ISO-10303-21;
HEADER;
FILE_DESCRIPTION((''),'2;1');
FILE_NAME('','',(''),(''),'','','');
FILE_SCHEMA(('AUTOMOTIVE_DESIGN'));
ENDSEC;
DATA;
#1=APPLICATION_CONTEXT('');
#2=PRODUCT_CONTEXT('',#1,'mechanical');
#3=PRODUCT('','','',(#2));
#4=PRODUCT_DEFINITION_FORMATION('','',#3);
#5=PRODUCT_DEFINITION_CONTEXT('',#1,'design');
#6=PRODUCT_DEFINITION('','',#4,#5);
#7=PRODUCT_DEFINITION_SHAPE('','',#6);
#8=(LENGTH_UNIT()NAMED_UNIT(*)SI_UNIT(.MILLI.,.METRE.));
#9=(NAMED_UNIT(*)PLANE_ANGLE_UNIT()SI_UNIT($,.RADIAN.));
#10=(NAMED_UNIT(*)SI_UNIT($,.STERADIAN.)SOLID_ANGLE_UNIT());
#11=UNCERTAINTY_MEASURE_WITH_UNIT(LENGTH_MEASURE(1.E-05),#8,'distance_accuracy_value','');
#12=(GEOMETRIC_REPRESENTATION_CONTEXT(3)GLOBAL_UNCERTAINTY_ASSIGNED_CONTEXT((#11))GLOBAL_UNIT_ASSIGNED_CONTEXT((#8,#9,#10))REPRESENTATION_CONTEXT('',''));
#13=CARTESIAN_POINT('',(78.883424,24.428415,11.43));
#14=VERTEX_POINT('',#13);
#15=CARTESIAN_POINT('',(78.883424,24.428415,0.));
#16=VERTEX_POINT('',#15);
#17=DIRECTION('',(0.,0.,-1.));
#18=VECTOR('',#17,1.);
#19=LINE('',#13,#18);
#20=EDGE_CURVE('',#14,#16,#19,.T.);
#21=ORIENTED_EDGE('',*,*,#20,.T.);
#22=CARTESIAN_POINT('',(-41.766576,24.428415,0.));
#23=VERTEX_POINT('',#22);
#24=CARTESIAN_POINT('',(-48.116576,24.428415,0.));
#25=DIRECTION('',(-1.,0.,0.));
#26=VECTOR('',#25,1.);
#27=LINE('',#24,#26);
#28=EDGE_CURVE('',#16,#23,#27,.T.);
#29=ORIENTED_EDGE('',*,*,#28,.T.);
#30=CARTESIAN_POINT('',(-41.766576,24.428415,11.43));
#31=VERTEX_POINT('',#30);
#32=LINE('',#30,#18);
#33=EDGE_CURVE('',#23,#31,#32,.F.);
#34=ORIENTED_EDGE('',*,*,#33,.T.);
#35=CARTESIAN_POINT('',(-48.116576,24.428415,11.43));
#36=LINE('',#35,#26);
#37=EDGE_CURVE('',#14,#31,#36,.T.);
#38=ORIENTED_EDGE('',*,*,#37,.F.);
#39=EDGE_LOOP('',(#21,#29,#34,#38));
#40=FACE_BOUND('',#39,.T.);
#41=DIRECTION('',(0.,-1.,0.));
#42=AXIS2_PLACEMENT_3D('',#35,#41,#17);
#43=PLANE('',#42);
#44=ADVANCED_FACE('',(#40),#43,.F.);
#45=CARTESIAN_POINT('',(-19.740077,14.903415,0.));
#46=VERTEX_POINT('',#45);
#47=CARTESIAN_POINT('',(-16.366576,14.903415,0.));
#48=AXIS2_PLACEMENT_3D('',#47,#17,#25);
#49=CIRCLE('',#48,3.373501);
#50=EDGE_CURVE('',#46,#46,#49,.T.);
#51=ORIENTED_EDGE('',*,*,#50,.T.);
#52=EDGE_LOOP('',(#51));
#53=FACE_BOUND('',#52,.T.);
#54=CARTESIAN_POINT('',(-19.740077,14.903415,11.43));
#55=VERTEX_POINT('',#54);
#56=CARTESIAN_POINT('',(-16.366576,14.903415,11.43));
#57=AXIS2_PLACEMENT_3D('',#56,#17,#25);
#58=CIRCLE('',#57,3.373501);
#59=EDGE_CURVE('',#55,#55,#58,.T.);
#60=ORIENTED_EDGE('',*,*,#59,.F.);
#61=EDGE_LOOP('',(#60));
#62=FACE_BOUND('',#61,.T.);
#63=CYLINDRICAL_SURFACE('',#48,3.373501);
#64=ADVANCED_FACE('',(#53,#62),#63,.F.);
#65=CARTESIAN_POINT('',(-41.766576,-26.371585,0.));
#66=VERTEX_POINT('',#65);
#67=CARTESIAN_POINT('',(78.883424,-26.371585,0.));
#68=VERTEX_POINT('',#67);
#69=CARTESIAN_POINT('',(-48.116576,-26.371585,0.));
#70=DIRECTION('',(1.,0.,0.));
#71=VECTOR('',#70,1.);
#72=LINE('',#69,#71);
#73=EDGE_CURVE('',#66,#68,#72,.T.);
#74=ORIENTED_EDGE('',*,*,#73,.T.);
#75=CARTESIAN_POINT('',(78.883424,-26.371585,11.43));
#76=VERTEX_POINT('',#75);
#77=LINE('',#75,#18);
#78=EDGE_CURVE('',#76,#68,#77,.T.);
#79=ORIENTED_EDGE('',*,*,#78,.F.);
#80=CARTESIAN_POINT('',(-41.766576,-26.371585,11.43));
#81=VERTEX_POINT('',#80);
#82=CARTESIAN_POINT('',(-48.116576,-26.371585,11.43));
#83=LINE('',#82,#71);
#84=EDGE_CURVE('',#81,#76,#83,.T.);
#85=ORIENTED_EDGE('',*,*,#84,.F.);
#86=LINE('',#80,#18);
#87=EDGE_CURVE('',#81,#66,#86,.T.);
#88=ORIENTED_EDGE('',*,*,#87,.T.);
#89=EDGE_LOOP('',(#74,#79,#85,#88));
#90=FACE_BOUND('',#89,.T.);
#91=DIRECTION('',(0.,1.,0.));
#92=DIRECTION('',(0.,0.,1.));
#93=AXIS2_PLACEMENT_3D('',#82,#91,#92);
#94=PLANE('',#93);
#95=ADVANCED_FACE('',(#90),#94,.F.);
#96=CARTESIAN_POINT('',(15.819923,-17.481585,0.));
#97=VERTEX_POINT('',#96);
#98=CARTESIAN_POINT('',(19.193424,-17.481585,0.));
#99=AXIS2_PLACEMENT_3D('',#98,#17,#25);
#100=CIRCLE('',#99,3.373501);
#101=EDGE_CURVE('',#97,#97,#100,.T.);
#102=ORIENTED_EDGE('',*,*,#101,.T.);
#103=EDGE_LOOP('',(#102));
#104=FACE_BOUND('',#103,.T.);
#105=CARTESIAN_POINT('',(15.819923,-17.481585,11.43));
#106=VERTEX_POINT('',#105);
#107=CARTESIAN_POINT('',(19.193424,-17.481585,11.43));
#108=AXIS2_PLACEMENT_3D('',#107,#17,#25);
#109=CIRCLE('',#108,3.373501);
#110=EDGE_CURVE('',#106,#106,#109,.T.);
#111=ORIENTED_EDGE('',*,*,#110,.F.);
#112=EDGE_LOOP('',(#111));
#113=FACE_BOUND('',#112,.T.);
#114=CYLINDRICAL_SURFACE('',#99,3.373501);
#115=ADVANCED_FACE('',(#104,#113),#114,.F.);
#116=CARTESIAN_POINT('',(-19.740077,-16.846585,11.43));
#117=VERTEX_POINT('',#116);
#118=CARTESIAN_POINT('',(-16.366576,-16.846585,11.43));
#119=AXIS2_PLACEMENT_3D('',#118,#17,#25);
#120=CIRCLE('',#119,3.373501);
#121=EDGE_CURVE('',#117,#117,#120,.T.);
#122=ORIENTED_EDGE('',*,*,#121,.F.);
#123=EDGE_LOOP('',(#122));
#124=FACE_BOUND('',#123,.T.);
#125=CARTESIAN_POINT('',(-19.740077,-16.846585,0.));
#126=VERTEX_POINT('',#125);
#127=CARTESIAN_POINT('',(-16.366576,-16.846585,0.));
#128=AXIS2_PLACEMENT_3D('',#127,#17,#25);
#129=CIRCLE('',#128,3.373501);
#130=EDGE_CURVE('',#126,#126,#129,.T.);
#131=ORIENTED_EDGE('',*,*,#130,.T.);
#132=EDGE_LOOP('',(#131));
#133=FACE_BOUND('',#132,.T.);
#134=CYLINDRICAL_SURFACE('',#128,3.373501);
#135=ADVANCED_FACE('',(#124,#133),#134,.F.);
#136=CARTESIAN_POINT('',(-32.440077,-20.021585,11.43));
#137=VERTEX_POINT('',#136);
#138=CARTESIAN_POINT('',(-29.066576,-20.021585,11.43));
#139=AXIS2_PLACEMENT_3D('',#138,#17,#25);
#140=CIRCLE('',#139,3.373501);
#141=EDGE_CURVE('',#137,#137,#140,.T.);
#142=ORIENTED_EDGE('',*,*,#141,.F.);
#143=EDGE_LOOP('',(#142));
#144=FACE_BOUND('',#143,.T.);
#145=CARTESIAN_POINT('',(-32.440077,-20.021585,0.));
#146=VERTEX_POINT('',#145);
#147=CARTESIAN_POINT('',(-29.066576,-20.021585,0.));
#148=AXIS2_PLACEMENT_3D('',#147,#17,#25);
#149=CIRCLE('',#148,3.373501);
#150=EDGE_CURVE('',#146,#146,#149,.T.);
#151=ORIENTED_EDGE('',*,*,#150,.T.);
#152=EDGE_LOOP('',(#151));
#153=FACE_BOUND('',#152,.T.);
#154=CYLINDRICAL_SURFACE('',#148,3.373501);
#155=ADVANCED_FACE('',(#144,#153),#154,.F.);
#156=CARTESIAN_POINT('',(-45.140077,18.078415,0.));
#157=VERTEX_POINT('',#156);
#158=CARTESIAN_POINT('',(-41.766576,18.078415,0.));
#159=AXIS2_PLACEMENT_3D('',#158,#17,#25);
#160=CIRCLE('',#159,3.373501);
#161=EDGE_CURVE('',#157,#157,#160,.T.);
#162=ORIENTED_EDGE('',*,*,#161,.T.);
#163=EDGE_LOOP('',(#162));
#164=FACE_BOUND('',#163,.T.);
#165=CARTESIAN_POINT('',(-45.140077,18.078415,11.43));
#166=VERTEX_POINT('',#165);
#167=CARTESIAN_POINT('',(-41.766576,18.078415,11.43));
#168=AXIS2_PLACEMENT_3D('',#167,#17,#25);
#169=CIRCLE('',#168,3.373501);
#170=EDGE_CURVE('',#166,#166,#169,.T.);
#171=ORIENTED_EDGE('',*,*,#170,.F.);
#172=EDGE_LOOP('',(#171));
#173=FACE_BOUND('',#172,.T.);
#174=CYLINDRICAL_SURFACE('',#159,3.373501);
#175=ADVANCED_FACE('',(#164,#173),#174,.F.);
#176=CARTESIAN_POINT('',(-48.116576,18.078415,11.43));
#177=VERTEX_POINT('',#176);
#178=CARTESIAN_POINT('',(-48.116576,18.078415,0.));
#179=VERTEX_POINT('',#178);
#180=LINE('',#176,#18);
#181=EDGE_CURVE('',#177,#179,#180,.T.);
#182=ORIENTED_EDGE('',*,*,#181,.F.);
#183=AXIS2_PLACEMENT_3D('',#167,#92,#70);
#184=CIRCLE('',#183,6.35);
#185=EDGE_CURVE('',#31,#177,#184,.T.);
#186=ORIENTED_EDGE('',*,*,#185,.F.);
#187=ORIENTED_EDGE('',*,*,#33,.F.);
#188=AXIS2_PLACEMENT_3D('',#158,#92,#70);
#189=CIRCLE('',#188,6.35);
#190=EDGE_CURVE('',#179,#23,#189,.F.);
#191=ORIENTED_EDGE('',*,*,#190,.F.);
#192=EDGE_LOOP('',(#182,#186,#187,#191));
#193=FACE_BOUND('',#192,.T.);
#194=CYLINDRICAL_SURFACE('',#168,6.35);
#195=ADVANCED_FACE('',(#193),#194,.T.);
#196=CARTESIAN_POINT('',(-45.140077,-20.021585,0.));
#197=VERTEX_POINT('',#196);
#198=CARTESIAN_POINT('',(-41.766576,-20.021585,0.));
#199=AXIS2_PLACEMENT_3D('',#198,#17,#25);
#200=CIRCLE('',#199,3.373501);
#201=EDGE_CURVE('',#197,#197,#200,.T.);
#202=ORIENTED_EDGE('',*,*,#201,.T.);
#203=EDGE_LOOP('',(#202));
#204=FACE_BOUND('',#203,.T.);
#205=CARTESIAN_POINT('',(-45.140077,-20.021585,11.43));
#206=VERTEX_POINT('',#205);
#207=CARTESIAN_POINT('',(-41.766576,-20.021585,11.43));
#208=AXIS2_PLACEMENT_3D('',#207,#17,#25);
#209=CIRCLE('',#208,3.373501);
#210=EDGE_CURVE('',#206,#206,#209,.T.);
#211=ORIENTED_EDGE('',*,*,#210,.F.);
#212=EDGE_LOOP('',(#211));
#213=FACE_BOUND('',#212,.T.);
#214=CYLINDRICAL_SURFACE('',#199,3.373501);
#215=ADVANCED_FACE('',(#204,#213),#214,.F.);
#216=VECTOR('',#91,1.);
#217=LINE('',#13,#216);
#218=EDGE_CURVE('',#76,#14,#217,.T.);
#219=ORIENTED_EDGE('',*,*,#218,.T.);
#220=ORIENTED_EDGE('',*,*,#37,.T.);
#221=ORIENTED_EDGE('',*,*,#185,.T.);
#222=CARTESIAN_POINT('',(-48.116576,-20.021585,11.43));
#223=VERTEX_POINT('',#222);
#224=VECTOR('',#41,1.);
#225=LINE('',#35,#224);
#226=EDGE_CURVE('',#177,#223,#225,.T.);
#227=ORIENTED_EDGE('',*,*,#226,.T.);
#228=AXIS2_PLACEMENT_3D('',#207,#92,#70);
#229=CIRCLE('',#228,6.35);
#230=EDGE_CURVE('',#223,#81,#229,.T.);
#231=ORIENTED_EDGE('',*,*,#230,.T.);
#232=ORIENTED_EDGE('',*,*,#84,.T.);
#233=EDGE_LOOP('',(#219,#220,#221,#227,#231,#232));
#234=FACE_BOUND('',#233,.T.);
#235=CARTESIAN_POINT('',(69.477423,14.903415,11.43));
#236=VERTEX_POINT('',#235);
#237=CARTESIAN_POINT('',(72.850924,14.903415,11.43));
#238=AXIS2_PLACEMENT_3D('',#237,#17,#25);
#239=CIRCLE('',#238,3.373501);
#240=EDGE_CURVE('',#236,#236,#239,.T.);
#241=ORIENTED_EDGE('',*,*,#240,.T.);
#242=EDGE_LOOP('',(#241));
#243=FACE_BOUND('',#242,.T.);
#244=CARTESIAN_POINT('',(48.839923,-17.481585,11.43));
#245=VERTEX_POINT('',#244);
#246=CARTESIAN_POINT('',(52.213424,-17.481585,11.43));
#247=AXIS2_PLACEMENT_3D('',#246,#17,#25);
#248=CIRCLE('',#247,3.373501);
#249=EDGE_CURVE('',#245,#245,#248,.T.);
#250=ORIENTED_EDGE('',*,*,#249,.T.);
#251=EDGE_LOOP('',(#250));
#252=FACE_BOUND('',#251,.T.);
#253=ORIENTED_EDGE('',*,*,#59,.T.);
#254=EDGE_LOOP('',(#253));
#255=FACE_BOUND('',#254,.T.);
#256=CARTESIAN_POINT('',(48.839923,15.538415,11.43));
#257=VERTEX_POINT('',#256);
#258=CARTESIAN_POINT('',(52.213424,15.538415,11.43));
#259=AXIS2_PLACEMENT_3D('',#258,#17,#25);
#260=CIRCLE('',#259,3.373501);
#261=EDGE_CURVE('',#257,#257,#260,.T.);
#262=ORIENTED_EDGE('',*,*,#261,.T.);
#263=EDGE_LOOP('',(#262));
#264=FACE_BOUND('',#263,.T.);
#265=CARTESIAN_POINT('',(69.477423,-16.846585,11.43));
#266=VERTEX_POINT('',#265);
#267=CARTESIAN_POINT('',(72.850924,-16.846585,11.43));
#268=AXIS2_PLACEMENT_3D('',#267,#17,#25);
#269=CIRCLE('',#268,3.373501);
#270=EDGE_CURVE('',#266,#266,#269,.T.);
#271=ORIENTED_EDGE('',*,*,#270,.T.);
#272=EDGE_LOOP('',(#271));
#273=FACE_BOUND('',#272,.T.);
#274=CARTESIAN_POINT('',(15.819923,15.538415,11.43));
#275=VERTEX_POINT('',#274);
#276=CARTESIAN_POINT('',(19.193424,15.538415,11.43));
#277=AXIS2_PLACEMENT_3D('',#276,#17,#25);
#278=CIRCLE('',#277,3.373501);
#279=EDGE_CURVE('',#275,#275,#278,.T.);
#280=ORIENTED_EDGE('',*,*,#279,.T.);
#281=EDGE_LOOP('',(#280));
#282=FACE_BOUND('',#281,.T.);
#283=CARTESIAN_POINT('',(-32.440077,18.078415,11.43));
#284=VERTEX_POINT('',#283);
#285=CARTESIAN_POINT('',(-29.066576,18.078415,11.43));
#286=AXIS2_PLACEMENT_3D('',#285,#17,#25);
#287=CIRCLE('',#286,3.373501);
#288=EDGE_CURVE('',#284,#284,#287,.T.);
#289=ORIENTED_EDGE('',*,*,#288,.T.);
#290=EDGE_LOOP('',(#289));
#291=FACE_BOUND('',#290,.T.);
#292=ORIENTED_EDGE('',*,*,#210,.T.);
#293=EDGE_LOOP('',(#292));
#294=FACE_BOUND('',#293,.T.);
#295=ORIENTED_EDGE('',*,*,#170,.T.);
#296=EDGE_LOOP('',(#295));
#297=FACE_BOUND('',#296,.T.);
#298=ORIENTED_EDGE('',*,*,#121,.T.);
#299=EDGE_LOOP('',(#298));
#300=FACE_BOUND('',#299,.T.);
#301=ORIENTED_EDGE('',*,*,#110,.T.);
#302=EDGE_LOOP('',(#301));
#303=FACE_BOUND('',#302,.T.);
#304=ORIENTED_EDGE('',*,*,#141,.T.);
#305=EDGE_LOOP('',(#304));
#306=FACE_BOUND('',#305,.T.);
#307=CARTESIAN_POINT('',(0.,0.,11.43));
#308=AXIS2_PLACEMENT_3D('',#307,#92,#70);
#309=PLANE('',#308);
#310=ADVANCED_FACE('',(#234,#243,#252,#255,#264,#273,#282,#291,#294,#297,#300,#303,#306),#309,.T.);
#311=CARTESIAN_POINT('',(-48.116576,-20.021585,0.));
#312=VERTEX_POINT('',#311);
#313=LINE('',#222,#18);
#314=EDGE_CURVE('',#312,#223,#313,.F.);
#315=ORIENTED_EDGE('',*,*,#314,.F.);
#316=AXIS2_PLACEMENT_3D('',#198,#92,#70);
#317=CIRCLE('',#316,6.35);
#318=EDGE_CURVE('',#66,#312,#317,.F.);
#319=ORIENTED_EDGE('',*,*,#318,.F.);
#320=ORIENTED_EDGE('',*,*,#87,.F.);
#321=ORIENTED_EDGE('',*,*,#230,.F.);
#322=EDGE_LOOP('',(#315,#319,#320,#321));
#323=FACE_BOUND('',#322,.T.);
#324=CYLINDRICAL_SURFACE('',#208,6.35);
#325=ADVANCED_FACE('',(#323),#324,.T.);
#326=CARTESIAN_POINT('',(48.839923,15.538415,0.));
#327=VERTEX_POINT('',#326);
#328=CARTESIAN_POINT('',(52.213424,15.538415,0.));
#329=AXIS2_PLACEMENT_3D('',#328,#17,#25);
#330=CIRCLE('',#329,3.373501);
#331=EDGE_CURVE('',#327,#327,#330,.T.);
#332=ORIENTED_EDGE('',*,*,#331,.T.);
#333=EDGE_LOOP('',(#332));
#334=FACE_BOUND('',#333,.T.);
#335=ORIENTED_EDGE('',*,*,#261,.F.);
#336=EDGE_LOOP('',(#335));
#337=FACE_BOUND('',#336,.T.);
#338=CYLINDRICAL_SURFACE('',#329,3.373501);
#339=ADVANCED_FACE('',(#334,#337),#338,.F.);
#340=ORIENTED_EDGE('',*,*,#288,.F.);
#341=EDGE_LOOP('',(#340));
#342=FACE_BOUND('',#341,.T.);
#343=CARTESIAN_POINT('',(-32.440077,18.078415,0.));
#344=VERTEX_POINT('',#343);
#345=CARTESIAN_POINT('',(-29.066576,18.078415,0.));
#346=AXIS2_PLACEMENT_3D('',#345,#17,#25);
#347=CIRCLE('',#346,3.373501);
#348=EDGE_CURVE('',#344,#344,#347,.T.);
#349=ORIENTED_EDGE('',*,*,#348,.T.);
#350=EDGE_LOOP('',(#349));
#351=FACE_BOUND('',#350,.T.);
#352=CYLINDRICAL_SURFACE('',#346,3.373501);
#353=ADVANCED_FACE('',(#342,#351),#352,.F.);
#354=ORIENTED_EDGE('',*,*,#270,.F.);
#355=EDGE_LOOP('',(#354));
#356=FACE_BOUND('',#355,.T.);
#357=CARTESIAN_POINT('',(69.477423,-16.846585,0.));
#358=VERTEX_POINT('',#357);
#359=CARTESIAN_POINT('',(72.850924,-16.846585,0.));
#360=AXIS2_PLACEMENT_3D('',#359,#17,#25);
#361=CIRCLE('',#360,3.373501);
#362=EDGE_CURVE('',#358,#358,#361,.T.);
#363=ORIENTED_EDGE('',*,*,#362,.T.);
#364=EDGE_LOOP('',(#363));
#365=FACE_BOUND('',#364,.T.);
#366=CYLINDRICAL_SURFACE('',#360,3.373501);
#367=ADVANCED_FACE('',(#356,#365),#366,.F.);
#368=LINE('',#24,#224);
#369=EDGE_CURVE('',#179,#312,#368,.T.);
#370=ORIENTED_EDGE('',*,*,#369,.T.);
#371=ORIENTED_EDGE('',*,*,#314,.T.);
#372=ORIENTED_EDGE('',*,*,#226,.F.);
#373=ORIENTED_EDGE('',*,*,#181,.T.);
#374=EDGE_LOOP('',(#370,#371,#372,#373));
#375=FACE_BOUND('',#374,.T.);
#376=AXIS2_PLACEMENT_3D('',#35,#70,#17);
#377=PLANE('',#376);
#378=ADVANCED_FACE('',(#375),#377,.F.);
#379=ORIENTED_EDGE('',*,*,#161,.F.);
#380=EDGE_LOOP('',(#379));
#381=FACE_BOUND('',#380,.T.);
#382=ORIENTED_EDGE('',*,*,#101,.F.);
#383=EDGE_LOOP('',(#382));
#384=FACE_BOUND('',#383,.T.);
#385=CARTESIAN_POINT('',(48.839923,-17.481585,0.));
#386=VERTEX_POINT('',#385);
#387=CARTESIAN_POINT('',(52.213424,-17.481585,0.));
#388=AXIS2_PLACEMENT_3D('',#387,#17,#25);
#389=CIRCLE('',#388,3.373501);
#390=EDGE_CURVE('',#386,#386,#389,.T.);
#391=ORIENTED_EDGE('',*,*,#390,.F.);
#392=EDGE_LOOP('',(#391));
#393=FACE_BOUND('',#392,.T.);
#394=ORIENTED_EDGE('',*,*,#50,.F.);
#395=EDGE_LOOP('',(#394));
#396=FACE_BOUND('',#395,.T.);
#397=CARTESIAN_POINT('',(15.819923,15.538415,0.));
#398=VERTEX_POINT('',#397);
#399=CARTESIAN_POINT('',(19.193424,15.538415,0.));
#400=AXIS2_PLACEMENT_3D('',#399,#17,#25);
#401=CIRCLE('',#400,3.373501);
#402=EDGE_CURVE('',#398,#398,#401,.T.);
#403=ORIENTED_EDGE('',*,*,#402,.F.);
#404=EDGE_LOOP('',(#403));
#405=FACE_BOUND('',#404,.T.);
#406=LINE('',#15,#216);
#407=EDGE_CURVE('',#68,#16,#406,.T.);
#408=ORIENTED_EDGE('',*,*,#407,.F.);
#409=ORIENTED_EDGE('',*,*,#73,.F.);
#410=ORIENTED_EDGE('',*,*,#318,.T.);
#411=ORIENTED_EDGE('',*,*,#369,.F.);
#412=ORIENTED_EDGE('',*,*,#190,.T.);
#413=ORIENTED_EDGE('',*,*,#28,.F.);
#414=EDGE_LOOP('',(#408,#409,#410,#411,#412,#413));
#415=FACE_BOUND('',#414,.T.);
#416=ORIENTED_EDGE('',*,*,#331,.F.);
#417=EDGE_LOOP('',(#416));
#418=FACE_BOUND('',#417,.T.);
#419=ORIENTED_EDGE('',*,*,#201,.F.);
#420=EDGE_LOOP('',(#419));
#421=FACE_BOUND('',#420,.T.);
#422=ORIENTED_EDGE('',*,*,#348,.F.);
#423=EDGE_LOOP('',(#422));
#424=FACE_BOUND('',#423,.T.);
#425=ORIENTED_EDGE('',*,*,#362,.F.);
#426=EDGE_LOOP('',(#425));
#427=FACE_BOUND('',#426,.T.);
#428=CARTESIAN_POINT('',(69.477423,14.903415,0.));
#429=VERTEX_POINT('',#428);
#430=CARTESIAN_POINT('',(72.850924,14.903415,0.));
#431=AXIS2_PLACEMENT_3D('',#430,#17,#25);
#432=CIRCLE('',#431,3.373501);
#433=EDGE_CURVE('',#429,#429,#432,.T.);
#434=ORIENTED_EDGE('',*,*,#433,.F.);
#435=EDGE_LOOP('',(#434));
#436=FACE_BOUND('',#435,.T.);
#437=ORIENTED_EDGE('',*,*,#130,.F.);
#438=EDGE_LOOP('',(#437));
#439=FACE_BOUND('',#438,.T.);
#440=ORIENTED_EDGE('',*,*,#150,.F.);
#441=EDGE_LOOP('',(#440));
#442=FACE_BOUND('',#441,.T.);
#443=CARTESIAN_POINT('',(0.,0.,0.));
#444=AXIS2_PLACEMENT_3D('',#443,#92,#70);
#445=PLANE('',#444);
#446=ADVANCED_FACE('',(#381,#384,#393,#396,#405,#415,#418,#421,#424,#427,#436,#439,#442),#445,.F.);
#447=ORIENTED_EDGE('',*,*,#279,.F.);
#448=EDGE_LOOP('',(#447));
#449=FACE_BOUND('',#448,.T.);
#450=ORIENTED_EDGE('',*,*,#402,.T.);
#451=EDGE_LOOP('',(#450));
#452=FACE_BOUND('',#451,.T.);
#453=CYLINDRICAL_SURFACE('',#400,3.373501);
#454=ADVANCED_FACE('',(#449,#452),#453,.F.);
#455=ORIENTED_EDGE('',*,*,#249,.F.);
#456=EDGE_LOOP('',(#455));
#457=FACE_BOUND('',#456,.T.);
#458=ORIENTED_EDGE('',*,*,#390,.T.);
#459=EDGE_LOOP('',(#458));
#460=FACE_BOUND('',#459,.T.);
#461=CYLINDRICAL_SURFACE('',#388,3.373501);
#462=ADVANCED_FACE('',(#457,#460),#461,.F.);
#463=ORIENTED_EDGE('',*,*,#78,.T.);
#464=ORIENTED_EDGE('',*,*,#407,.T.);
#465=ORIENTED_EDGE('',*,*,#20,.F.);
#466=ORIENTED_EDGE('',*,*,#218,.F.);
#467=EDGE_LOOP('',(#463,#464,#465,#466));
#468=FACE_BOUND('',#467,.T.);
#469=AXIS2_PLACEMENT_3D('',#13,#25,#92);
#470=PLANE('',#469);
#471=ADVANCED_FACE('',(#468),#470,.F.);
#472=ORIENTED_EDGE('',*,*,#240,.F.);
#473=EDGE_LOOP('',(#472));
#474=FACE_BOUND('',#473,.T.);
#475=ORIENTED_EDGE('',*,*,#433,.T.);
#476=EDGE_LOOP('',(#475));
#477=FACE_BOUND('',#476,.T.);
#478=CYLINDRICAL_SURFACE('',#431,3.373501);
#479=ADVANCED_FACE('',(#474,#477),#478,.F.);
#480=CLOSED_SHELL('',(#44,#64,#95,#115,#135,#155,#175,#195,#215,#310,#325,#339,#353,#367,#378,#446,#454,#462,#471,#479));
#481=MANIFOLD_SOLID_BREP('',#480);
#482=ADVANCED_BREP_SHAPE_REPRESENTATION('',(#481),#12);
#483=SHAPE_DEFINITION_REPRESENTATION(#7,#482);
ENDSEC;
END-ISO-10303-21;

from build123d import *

# Parameters (mm, degrees)
SKETCH2_W                        = 127
SKETCH2_H                        = 50.8
BOSS_EXTRUDE1_DEPTH              = 11.43
FILLET1_R                        = 6.35
F_17_64_0_26563_DIAMETER_HOLE2_D = 6.747002
F_17_64_0_26563_DIAMETER_HOLE3_D = 6.747002
F_17_64_0_26563_DIAMETER_HOLE4_D = 6.747002
F_17_64_0_26563_DIAMETER_HOLE6_D = 6.747002


with BuildPart() as part:
    # Sketch2 → Boss-Extrude1 (new body)
    with BuildSketch(Plane.XY):
        with Locations((15.383424408, -0.971584699)):
            Rectangle(SKETCH2_W, SKETCH2_H)
    extrude(amount=BOSS_EXTRUDE1_DEPTH)

    # Fillet1
    fillet1_edges = [part.edges().sort_by_distance(p)[0] for p in [
        (-48.116575592, 24.428415301, 5.715),
        (-48.116575592, -26.371584699, 5.715),
    ]]
    fillet(fillet1_edges, radius=FILLET1_R)

    # 17/64 (0.26563) Diameter Hole2 (through all)
    with Locations(Plane(origin=(52.213424408, 15.538415301, 0), x_dir=(-1, 0, 0), z_dir=(0, 0, -1))):
        with Locations((0, 0), (33.02, 0), (33.02, -33.02), (0, -33.02)):
            Hole(F_17_64_0_26563_DIAMETER_HOLE2_D / 2)

    # 17/64 (0.26563) Diameter Hole3 (through all)
    with Locations(Plane(origin=(-16.366575592, 14.903415301, 0), x_dir=(-1, 0, 0), z_dir=(0, 0, -1))):
        with Locations((0, 0), (0, -31.75)):
            Hole(F_17_64_0_26563_DIAMETER_HOLE3_D / 2)

    # 17/64 (0.26563) Diameter Hole4 (through all)
    with Locations(Plane(origin=(72.850924408, -16.846584699, 0), x_dir=(-1, 0, 0), z_dir=(0, 0, -1))):
        with Locations((0, 0), (0, 31.75)):
            Hole(F_17_64_0_26563_DIAMETER_HOLE4_D / 2)

    # 17/64 (0.26563) Diameter Hole6 (through all)
    with Locations(Plane(origin=(-29.066575592, 18.078415301, 0), x_dir=(-1, 0, 0), z_dir=(0, 0, -1))):
        with Locations((0, 0), (12.7, 0), (12.7, -38.1), (0, -38.1)):
            Hole(F_17_64_0_26563_DIAMETER_HOLE6_D / 2)


solid = part.part
